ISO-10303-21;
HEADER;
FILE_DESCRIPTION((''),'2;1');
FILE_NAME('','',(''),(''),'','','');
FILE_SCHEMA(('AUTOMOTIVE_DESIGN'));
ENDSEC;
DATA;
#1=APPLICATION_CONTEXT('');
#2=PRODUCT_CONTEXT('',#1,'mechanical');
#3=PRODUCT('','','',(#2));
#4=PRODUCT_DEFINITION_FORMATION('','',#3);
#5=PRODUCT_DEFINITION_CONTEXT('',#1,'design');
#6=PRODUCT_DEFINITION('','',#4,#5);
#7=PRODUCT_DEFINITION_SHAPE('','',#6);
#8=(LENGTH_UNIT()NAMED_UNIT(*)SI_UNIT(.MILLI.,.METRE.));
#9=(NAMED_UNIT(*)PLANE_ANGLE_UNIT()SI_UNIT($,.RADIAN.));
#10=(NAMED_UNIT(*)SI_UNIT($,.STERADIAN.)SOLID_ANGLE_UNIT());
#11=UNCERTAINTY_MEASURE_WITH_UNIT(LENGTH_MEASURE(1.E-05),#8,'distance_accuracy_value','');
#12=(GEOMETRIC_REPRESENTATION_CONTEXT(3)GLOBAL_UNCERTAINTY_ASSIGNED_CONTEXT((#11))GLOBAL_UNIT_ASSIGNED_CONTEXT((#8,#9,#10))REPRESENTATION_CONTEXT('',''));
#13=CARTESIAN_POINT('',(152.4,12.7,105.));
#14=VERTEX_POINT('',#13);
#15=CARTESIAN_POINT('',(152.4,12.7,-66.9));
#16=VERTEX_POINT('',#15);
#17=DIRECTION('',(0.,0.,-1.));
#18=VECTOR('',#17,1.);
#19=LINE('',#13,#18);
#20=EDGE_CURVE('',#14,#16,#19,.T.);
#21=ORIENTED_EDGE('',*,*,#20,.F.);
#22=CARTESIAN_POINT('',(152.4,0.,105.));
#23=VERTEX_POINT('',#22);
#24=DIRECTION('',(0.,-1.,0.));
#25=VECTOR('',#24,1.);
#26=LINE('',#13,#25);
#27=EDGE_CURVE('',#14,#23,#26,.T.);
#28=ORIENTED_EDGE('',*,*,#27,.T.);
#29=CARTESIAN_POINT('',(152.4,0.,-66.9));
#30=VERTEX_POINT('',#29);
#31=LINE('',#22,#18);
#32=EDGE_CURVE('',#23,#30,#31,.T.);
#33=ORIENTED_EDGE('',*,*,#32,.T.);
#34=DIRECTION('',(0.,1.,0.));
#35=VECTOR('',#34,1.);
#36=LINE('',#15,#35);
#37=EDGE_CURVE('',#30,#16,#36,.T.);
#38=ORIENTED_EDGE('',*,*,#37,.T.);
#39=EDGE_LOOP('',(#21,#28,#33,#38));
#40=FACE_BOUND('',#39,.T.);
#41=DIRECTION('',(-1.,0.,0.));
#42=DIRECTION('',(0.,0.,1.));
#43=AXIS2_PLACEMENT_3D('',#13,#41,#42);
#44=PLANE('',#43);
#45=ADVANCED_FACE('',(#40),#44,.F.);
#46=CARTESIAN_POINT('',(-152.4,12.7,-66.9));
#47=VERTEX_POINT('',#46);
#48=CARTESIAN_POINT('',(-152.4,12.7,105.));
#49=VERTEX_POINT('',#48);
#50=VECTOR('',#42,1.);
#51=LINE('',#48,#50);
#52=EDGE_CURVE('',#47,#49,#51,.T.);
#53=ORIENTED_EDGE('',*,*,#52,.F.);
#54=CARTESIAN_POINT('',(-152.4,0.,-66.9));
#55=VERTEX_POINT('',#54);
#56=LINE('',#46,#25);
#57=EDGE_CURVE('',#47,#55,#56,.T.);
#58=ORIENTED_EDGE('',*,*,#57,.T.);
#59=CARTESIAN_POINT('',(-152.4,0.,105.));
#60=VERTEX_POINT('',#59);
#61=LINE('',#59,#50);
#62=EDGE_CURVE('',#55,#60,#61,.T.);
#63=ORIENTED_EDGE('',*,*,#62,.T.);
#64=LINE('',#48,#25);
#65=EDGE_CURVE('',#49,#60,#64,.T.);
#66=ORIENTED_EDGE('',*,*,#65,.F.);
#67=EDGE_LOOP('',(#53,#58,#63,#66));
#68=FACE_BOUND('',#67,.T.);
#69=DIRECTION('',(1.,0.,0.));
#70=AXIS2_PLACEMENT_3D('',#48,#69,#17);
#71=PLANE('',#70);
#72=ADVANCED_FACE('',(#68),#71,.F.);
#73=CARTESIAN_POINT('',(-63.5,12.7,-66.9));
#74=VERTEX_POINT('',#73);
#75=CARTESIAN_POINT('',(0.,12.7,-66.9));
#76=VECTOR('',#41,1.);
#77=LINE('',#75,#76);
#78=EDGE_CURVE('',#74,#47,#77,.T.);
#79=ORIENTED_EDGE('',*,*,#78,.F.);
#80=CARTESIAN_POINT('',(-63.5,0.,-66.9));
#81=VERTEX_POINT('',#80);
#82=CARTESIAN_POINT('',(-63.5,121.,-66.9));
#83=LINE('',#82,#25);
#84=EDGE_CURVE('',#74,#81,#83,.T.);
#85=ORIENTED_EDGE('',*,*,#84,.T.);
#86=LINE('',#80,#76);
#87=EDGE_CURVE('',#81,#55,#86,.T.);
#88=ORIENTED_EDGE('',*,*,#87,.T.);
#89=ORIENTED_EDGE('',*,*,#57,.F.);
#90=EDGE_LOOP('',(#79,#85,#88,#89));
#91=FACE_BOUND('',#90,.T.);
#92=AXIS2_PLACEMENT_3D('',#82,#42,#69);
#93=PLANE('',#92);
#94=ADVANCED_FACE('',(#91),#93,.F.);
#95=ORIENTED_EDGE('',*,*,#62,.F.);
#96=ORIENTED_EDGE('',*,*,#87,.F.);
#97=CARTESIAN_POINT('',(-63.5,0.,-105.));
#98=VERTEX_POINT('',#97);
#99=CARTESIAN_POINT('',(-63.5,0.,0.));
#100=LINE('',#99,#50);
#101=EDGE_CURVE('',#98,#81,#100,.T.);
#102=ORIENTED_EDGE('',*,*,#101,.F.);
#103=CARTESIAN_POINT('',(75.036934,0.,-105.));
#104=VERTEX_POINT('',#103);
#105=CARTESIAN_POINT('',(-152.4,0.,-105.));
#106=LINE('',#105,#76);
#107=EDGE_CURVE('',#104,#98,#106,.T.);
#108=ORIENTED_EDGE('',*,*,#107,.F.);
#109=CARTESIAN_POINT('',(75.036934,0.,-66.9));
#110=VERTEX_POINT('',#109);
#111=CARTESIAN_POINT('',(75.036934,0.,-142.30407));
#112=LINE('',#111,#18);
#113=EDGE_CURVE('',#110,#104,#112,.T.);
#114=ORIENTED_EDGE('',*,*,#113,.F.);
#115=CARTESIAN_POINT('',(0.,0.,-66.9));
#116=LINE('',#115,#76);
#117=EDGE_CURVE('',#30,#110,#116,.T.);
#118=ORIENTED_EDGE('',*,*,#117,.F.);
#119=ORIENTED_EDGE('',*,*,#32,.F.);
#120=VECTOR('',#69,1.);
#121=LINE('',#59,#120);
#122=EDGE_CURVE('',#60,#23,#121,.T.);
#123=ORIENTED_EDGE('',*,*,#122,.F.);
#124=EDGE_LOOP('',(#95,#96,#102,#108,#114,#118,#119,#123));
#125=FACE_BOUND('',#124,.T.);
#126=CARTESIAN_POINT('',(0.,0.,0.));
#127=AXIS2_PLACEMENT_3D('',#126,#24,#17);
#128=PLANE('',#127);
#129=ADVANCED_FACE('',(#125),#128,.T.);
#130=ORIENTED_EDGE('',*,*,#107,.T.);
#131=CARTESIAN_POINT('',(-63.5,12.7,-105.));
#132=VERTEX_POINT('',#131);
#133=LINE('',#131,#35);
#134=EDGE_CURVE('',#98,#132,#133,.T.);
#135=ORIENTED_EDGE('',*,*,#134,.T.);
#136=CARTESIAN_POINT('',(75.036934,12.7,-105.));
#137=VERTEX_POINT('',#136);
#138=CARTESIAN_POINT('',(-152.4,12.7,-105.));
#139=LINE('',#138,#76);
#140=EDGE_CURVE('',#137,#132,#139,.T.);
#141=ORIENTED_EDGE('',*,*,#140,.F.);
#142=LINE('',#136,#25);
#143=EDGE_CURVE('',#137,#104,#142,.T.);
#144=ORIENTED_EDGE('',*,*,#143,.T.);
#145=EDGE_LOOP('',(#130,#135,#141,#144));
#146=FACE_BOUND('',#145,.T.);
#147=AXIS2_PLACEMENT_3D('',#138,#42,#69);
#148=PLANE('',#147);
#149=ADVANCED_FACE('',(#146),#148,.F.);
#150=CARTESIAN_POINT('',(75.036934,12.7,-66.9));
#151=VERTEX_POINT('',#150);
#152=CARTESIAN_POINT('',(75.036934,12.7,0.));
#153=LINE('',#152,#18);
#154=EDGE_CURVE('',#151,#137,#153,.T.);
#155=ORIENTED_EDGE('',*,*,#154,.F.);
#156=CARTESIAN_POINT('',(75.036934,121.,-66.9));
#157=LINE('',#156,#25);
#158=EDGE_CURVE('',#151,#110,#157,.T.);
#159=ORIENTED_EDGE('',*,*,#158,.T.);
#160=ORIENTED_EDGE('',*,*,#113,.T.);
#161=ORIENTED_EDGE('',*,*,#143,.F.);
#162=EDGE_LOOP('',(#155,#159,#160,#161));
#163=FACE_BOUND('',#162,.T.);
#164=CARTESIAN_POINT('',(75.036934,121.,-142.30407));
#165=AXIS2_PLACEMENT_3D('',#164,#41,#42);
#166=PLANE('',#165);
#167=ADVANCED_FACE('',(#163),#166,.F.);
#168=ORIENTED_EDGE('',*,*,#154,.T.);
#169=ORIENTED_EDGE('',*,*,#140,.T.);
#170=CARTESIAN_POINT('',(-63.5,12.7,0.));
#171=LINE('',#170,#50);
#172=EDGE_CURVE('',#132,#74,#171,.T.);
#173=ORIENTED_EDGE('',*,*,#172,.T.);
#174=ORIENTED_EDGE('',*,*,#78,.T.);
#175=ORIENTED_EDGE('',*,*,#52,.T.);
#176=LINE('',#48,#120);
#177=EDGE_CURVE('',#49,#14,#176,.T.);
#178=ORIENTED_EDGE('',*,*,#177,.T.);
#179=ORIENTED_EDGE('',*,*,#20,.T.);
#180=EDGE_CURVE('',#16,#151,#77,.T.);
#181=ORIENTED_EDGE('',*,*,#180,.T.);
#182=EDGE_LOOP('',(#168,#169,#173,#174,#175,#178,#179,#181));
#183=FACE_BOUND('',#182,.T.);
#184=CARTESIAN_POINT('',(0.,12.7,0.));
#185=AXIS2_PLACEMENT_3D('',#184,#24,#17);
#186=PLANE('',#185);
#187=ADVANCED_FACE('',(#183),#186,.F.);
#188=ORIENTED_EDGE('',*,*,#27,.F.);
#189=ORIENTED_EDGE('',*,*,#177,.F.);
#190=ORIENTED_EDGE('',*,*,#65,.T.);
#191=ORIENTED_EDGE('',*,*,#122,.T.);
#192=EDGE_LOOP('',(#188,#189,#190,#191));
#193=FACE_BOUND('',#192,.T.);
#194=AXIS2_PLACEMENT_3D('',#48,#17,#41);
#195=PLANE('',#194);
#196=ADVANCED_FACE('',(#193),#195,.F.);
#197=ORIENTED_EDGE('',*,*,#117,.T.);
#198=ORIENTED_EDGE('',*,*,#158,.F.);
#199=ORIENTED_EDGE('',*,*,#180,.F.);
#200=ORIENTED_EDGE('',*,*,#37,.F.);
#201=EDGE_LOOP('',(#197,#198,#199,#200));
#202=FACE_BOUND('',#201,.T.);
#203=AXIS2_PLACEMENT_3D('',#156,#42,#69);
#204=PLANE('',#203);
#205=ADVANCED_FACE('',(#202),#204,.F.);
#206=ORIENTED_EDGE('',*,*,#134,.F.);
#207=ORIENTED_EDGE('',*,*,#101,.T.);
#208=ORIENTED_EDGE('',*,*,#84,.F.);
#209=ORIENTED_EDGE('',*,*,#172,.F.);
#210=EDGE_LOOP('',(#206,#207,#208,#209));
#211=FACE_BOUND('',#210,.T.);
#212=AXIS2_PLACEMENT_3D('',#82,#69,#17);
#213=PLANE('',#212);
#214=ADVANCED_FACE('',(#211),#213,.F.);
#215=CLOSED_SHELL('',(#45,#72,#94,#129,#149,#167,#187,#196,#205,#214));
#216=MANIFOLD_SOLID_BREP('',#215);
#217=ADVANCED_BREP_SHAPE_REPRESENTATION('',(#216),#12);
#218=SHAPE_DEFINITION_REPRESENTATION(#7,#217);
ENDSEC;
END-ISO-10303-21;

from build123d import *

# Parameters (mm, degrees)
SKETCH1_W           = 304.8
SKETCH1_H           = 210
BOSS_EXTRUDE1_DEPTH = 12.7
SKETCH2_W           = 103.826139809
SKETCH2_H           = 75.404069631
SKETCH2_W_2         = 105.873975136
CUT_EXTRUDE1_DEPTH  = 121


with BuildPart() as part:
    # Sketch1 → Boss-Extrude1 (new body)
    with BuildSketch(Plane(origin=(0, 0, 0), x_dir=(1, 0, 0), z_dir=(0, 1, 0))):
        Rectangle(SKETCH1_W, SKETCH1_H)
    extrude(amount=BOSS_EXTRUDE1_DEPTH)

    # Sketch2 → Cut-Extrude1 (cut)
    with BuildSketch(Plane.XZ):
        with Locations((-115.413069905, -104.602034816)):
            Rectangle(SKETCH2_W, SKETCH2_H)
        with Locations((127.97392141, -104.602034816)):
            Rectangle(SKETCH2_W_2, SKETCH2_H)
    extrude(amount=-CUT_EXTRUDE1_DEPTH, mode=Mode.SUBTRACT)


solid = part.part
